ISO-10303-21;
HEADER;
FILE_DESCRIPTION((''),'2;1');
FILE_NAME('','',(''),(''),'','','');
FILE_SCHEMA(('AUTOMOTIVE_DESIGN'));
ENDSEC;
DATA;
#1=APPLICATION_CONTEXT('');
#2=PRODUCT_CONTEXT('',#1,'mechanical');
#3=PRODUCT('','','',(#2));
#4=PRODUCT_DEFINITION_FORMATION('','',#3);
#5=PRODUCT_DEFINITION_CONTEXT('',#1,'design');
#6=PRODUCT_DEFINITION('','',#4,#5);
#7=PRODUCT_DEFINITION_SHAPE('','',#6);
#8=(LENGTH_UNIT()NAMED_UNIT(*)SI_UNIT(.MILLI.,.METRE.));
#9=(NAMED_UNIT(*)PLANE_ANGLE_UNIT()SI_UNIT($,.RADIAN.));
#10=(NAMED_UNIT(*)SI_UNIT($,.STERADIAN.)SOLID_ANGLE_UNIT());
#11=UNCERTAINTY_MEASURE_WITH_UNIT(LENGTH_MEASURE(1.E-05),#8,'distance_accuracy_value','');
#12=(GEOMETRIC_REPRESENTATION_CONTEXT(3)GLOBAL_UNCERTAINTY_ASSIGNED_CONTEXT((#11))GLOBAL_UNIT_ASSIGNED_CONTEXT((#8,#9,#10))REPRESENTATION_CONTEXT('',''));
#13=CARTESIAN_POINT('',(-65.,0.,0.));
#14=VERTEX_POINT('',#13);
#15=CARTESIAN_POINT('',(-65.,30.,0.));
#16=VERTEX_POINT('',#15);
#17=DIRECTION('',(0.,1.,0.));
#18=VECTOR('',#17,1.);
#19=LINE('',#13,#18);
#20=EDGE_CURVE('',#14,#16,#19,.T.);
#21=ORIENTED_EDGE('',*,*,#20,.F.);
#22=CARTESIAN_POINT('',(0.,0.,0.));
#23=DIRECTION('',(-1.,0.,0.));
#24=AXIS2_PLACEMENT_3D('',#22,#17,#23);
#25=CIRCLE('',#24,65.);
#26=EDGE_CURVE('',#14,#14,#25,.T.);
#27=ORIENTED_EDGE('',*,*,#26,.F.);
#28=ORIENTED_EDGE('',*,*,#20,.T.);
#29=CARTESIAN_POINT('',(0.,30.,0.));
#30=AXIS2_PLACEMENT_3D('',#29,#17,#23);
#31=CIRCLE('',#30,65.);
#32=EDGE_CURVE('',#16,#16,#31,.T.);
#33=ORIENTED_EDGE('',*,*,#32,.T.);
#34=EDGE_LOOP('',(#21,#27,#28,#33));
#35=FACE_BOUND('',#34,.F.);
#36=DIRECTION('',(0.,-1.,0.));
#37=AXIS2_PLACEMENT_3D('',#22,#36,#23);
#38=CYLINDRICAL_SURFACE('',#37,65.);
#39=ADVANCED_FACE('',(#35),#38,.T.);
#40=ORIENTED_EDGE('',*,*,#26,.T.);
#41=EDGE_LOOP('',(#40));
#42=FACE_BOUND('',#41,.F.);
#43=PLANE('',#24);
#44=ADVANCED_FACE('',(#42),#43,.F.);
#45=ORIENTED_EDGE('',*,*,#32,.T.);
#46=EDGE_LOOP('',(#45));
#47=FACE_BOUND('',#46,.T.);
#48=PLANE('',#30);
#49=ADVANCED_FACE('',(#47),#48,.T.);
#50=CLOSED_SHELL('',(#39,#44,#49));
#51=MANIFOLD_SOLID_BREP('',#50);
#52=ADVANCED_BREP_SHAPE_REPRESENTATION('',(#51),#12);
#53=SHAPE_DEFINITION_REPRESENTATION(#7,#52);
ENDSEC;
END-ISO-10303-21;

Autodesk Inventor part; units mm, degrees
ref_plane "YZ Plane" through (0, 0, 0) normal (1, 0, 0) x (0, 1, 0)
ref_plane "XZ Plane" through (0, 0, 0) normal (0, 1, 0) x (-1, 0, 0)
ref_plane "XY Plane" through (0, 0, 0) normal (0, 0, 1) x (1, 0, 0)
sketch "スケッチ1" plane through (0, 0, 0) normal (0, 1, 0) x (-1, 0, 0)
  circle A0 centre (0, 0) radius 65
  dimension "d0" = 130
extrude "押し出し1" add sketch "スケッチ1" along normal blind 30
properties part number "wheel 2"
